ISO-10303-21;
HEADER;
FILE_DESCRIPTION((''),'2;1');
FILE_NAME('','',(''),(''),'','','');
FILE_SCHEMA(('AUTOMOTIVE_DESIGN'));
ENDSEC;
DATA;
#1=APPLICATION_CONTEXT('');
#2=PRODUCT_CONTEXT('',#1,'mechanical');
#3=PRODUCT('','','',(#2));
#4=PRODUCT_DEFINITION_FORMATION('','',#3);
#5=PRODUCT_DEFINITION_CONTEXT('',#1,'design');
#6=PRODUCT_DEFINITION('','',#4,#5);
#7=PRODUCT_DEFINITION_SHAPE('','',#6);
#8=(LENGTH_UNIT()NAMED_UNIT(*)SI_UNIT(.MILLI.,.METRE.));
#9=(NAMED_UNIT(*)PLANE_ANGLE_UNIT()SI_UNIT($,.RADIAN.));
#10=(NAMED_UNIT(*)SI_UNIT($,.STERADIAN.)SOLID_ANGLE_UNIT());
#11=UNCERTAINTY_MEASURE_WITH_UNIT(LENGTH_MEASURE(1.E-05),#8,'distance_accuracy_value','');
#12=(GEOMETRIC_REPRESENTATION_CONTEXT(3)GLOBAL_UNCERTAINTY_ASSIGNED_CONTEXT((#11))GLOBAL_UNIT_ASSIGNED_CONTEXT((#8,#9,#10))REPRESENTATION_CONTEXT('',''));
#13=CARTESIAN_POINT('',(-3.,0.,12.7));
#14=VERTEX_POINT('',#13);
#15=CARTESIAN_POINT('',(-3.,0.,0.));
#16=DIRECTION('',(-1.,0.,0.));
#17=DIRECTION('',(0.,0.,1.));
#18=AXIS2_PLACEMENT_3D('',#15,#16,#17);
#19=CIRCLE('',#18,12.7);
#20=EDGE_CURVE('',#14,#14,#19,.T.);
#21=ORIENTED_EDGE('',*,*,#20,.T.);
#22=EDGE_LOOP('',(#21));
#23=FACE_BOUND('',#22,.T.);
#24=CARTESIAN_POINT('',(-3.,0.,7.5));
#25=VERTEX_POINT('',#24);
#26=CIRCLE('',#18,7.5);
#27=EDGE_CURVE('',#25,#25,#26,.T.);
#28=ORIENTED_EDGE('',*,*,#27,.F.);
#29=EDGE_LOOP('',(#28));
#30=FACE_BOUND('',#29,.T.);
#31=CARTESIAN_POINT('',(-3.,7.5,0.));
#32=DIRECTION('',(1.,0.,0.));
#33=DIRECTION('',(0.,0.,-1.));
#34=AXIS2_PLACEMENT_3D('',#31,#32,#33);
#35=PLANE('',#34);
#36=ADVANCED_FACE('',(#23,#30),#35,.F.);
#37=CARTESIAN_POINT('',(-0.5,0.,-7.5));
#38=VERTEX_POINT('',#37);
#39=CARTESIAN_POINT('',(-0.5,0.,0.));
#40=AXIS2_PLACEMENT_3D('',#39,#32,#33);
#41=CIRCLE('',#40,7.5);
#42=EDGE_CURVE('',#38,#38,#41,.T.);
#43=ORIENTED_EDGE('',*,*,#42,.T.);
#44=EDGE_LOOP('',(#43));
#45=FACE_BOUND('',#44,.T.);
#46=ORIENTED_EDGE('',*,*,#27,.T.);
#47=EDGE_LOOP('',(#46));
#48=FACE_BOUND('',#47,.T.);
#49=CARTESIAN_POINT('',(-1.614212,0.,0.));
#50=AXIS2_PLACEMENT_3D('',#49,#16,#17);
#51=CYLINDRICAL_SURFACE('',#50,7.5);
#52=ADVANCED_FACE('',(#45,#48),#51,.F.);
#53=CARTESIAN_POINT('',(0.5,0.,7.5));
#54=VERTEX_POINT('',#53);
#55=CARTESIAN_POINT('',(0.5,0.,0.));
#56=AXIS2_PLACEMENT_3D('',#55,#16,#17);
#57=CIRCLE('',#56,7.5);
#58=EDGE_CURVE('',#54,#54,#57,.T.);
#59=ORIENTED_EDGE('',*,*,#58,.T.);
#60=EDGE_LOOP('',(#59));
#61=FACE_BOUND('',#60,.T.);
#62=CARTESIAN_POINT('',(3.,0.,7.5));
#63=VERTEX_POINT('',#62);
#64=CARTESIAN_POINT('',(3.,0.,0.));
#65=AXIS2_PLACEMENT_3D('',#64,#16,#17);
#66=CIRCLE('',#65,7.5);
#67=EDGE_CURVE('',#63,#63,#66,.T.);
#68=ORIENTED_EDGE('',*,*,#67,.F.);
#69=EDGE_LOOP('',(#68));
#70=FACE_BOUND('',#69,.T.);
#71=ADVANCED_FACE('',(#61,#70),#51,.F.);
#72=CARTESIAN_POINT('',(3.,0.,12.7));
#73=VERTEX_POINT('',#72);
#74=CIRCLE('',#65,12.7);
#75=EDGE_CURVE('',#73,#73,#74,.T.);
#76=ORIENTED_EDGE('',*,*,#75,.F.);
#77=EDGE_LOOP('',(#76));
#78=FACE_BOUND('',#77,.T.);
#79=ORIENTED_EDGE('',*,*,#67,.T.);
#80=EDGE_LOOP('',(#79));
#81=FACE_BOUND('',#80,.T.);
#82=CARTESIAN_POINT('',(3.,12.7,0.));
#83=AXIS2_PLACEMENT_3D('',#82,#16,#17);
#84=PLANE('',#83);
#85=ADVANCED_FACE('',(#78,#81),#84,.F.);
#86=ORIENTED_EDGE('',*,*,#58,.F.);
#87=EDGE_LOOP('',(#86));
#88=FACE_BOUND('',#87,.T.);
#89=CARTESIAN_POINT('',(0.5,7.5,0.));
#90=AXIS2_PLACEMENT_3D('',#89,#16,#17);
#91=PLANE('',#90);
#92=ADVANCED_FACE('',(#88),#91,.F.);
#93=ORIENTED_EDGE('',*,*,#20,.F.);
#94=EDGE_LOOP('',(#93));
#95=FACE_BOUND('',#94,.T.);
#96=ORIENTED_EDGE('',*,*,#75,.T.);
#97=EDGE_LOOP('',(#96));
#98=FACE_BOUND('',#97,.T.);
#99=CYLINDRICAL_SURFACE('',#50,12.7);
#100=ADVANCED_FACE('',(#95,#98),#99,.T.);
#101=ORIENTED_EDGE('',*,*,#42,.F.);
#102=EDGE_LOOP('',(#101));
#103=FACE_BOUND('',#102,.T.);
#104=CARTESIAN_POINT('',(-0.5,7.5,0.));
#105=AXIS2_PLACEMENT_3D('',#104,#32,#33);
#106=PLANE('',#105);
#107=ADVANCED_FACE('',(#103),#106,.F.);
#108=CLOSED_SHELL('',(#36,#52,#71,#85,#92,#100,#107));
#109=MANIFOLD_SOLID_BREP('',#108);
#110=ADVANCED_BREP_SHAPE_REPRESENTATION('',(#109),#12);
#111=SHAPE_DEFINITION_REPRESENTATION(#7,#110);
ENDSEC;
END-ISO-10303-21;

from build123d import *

# Parameters (mm, degrees)
SKETCH_1_W = 1
SKETCH_1_H = 7.5
SKETCH_4_W = 6
SKETCH_4_H = 5.2


with BuildPart() as part:
    # 草图1 → 旋转2 (revolve)
    with BuildSketch(Plane.XY, mode=Mode.PRIVATE) as revolve_2_sk:
        with Locations((0, 3.75)):
            Rectangle(SKETCH_1_W, SKETCH_1_H)
    revolve(revolve_2_sk.sketch.rotate(Axis((-0.5, 0, 0), (1, 0, 0)), 90), axis=Axis((-0.5, 0, 0), (1, 0, 0)))  # turned: the seam where the file's is

    # 草图4 → 旋转3 (revolve)
    with BuildSketch(Plane.XY, mode=Mode.PRIVATE) as revolve_3_sk:
        with Locations((0, 10.1)):
            Rectangle(SKETCH_4_W, SKETCH_4_H)
    revolve(revolve_3_sk.sketch.rotate(Axis((-1.614212419, 0, 0), (1, 0, 0)), 90), axis=Axis((-1.614212419, 0, 0), (1, 0, 0)))  # turned: the seam where the file's is


solid = part.part
